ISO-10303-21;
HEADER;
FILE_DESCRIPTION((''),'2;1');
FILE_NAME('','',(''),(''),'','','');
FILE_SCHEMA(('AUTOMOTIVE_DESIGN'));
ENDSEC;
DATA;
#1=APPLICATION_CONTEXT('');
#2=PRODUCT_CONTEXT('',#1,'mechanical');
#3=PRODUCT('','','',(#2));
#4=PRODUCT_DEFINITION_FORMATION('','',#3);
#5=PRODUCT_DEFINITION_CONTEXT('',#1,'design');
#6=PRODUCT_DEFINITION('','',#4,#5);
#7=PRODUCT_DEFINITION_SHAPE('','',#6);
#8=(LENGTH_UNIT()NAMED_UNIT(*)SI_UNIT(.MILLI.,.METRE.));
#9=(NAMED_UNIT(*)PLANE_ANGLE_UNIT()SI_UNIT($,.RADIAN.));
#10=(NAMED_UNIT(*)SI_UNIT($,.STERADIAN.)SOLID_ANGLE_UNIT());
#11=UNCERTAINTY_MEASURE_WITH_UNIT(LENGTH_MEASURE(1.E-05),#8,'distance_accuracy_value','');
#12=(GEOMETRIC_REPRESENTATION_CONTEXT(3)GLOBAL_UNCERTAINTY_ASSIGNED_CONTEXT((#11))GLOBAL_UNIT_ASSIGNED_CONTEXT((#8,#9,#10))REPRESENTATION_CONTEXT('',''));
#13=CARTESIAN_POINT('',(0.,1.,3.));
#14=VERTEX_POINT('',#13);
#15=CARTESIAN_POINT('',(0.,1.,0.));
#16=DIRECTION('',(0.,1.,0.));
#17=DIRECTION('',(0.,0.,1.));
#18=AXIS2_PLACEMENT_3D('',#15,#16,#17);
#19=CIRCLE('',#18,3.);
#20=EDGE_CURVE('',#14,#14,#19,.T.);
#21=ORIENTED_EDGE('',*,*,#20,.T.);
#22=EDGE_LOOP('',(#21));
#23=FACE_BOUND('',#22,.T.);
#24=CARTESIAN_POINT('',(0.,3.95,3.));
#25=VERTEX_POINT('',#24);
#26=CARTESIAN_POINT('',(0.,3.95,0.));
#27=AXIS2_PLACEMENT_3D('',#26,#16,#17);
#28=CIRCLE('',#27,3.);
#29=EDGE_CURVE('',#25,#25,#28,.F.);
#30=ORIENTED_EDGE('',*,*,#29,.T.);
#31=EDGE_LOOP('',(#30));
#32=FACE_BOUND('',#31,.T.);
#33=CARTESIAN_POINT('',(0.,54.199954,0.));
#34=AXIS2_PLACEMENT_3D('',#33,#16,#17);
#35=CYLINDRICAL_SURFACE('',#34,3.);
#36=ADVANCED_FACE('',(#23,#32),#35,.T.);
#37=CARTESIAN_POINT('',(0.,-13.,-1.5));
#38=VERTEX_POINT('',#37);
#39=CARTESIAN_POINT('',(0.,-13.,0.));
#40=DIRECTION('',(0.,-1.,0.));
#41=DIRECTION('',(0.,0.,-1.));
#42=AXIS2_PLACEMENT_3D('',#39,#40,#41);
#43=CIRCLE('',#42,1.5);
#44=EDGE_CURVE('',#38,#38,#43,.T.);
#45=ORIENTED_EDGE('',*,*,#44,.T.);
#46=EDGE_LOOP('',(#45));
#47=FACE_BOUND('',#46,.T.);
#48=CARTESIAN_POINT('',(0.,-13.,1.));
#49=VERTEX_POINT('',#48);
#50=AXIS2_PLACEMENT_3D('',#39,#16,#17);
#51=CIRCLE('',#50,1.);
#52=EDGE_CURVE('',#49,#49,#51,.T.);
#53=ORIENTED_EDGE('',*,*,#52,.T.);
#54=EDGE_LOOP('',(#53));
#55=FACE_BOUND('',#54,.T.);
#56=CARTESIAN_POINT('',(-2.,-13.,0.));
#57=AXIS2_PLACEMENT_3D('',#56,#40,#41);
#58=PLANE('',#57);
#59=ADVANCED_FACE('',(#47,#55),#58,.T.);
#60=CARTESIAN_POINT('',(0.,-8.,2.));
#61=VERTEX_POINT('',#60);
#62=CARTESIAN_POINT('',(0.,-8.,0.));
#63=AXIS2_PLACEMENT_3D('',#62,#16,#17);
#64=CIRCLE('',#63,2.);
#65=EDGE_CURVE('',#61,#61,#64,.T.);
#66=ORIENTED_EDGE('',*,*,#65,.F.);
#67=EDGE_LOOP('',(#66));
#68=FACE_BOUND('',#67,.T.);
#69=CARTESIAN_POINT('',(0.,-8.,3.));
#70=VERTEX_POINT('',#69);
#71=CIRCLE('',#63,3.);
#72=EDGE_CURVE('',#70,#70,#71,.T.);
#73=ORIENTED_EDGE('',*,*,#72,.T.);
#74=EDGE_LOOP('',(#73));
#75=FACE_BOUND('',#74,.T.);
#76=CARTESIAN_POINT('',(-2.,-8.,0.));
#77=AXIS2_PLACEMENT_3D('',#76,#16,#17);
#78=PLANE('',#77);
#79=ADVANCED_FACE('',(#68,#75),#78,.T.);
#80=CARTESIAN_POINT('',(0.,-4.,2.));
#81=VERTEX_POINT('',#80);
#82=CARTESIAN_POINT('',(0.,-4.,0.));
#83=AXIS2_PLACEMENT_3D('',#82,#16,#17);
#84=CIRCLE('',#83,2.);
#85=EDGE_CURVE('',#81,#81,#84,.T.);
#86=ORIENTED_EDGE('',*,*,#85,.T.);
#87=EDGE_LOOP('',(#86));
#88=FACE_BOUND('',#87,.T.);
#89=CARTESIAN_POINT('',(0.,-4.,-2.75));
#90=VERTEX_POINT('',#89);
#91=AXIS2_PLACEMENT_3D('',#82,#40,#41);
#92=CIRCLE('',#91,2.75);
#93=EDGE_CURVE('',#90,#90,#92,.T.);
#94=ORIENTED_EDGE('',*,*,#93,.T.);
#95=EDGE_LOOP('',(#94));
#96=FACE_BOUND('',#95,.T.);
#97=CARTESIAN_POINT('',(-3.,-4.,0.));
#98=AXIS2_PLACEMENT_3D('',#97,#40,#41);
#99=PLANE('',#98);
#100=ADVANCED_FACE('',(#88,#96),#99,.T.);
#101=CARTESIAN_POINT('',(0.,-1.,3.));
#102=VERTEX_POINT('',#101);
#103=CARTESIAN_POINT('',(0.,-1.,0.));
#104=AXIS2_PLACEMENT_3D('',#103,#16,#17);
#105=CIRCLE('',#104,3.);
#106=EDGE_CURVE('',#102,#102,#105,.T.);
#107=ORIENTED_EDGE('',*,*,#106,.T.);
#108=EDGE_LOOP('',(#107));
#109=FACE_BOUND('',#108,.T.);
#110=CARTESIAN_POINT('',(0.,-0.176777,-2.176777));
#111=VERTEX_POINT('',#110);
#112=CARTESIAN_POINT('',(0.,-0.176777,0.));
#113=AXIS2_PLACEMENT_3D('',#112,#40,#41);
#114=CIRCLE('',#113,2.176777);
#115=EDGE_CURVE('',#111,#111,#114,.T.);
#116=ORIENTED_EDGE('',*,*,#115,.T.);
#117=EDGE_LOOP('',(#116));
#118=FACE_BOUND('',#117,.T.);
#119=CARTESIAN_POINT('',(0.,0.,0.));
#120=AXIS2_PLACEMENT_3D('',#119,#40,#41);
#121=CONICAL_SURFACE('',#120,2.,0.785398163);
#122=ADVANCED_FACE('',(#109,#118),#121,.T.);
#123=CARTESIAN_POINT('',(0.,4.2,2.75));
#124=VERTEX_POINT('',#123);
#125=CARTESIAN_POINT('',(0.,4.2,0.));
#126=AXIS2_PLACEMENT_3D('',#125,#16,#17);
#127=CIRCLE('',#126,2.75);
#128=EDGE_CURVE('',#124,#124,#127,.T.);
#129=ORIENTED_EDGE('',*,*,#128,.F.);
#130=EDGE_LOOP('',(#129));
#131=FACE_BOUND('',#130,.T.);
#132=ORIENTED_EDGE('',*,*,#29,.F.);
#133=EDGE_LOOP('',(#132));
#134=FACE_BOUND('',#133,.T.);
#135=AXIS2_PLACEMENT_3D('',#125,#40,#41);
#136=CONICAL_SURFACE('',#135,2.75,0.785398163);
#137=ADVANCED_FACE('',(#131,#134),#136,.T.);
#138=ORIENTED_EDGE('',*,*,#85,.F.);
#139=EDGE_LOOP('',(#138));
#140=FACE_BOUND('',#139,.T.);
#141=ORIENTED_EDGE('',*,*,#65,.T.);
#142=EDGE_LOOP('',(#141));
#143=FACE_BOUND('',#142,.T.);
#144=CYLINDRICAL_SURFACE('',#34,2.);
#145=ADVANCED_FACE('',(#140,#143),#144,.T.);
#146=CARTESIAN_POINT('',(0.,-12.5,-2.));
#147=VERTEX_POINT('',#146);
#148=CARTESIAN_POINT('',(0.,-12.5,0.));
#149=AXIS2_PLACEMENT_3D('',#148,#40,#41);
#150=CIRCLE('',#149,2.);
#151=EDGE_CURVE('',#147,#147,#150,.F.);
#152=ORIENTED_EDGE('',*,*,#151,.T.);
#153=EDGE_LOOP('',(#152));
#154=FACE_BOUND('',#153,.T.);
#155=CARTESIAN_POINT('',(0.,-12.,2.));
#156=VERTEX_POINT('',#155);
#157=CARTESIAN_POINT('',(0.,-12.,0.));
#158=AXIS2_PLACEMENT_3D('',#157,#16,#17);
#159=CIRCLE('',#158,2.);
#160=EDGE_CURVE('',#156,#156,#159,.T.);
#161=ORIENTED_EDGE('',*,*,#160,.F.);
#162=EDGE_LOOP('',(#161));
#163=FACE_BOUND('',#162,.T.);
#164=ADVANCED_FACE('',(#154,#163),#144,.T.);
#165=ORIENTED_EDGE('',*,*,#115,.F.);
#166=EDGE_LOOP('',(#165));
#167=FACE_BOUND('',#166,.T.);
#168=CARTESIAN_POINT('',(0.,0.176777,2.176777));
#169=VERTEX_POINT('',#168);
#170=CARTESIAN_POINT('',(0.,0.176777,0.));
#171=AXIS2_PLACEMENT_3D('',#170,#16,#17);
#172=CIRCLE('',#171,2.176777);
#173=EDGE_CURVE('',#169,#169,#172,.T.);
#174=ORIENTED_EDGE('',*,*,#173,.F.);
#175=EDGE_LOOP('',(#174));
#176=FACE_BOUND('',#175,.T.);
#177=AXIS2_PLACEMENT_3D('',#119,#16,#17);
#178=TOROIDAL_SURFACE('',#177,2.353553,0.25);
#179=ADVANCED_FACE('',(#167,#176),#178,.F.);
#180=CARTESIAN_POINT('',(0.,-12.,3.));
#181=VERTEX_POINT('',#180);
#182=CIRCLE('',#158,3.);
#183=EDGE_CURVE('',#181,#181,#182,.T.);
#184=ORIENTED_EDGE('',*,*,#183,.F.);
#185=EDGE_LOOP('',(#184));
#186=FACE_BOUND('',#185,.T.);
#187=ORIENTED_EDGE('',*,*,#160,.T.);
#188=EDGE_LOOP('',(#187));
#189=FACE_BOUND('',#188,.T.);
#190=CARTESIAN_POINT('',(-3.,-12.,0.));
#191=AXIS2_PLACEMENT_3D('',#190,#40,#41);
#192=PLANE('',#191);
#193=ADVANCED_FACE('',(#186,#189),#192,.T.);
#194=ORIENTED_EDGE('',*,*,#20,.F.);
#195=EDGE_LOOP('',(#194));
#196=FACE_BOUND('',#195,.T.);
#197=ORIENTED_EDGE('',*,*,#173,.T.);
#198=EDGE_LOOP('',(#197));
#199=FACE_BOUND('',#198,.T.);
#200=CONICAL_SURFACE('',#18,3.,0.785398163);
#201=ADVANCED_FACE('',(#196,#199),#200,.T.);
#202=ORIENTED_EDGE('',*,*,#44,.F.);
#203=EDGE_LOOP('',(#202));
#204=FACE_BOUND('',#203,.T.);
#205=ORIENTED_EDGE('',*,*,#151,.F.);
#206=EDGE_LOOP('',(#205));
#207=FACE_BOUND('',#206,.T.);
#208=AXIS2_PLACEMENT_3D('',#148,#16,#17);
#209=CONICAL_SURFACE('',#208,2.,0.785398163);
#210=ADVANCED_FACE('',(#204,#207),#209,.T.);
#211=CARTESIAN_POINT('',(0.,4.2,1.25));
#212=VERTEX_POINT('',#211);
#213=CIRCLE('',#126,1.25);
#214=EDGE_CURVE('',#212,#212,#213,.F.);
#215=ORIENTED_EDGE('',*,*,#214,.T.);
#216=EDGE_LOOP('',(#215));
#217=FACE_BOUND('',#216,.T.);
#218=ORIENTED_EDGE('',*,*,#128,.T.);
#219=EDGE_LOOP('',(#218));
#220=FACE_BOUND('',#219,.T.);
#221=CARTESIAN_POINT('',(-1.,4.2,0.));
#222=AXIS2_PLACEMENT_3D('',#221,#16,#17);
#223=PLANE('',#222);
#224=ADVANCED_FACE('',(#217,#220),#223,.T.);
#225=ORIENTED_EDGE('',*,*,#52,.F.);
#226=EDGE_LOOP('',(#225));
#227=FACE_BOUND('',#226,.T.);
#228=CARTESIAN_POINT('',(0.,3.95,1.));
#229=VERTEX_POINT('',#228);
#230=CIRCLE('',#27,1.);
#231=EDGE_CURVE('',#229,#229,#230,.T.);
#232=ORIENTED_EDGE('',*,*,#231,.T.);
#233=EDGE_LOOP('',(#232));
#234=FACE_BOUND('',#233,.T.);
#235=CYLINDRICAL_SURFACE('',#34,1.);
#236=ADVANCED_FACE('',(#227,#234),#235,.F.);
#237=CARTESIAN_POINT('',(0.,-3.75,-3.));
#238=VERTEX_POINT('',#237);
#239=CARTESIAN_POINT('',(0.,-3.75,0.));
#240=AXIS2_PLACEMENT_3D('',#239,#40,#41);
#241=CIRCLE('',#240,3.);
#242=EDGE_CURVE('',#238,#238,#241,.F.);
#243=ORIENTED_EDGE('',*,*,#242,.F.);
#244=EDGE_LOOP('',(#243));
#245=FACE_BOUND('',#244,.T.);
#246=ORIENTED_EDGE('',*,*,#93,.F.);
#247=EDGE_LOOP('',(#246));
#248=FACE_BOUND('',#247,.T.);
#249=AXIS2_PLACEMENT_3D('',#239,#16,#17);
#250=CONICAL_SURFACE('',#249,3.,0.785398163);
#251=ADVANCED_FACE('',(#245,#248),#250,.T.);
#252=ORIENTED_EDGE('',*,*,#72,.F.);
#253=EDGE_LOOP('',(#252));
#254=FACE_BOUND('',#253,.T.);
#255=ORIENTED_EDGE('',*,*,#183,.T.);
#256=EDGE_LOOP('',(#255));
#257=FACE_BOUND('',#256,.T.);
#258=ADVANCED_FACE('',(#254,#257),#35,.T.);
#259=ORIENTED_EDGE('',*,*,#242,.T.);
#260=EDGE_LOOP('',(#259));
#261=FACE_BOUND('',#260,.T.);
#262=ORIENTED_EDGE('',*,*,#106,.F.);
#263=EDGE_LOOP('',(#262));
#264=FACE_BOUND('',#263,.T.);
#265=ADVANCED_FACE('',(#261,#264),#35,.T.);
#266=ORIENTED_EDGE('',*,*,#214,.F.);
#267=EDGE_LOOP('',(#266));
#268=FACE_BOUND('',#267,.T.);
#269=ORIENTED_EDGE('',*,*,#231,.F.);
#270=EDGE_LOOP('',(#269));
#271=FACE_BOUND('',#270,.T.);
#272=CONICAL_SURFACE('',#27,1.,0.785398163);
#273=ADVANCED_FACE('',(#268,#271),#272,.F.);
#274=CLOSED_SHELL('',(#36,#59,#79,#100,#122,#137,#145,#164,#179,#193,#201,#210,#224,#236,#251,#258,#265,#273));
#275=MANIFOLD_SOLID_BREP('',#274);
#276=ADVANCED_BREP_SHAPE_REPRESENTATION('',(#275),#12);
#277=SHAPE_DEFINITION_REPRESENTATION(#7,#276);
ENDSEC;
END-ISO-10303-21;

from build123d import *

# Parameters (mm, degrees)
CHAMFER1_SIZE = 0.25
CHAMFER3_SIZE = 0.5
CHAMFER4_SIZE = 0.25
FILLET1_R     = 0.25


with BuildPart() as part:
    # Sketch1 → Revolve1 (revolve)
    with BuildSketch(Plane.XY, mode=Mode.PRIVATE) as revolve1_sk:
        Polygon((-1, 4.2), (-3, 4.2), (-3, 1), (-2, 0), (-3, -1), (-3, -4), (-2, -4), (-2, -8), (-3, -8), (-3, -12), (-2, -12), (-2, -13), (-1, -13), align=None)
    revolve(revolve1_sk.sketch.rotate(Axis((0, 54.199953661, 0), (0, -1, 0)), 270), axis=Axis((0, 54.199953661, 0), (0, -1, 0)))

    # Chamfer1
    chamfer1_edges = [part.edges().sort_by_distance(p)[0] for p in [
        (0, 4.2, -1),
    ]]
    chamfer(chamfer1_edges, length=CHAMFER1_SIZE)

    # Chamfer3
    chamfer3_edges = [part.edges().sort_by_distance(p)[0] for p in [
        (0, -13, -2),
    ]]
    chamfer(chamfer3_edges, length=CHAMFER3_SIZE)

    # Chamfer4
    chamfer4_edges = [part.edges().sort_by_distance(p)[0] for p in [
        (0, -4, -3),
        (0, 4.2, -3),
    ]]
    chamfer(chamfer4_edges, length=CHAMFER4_SIZE)

    # Fillet1
    fillet1_edges = [part.edges().sort_by_distance(p)[0] for p in [
        (0, 0, -2),
    ]]
    fillet(fillet1_edges, radius=FILLET1_R)


solid = part.part
